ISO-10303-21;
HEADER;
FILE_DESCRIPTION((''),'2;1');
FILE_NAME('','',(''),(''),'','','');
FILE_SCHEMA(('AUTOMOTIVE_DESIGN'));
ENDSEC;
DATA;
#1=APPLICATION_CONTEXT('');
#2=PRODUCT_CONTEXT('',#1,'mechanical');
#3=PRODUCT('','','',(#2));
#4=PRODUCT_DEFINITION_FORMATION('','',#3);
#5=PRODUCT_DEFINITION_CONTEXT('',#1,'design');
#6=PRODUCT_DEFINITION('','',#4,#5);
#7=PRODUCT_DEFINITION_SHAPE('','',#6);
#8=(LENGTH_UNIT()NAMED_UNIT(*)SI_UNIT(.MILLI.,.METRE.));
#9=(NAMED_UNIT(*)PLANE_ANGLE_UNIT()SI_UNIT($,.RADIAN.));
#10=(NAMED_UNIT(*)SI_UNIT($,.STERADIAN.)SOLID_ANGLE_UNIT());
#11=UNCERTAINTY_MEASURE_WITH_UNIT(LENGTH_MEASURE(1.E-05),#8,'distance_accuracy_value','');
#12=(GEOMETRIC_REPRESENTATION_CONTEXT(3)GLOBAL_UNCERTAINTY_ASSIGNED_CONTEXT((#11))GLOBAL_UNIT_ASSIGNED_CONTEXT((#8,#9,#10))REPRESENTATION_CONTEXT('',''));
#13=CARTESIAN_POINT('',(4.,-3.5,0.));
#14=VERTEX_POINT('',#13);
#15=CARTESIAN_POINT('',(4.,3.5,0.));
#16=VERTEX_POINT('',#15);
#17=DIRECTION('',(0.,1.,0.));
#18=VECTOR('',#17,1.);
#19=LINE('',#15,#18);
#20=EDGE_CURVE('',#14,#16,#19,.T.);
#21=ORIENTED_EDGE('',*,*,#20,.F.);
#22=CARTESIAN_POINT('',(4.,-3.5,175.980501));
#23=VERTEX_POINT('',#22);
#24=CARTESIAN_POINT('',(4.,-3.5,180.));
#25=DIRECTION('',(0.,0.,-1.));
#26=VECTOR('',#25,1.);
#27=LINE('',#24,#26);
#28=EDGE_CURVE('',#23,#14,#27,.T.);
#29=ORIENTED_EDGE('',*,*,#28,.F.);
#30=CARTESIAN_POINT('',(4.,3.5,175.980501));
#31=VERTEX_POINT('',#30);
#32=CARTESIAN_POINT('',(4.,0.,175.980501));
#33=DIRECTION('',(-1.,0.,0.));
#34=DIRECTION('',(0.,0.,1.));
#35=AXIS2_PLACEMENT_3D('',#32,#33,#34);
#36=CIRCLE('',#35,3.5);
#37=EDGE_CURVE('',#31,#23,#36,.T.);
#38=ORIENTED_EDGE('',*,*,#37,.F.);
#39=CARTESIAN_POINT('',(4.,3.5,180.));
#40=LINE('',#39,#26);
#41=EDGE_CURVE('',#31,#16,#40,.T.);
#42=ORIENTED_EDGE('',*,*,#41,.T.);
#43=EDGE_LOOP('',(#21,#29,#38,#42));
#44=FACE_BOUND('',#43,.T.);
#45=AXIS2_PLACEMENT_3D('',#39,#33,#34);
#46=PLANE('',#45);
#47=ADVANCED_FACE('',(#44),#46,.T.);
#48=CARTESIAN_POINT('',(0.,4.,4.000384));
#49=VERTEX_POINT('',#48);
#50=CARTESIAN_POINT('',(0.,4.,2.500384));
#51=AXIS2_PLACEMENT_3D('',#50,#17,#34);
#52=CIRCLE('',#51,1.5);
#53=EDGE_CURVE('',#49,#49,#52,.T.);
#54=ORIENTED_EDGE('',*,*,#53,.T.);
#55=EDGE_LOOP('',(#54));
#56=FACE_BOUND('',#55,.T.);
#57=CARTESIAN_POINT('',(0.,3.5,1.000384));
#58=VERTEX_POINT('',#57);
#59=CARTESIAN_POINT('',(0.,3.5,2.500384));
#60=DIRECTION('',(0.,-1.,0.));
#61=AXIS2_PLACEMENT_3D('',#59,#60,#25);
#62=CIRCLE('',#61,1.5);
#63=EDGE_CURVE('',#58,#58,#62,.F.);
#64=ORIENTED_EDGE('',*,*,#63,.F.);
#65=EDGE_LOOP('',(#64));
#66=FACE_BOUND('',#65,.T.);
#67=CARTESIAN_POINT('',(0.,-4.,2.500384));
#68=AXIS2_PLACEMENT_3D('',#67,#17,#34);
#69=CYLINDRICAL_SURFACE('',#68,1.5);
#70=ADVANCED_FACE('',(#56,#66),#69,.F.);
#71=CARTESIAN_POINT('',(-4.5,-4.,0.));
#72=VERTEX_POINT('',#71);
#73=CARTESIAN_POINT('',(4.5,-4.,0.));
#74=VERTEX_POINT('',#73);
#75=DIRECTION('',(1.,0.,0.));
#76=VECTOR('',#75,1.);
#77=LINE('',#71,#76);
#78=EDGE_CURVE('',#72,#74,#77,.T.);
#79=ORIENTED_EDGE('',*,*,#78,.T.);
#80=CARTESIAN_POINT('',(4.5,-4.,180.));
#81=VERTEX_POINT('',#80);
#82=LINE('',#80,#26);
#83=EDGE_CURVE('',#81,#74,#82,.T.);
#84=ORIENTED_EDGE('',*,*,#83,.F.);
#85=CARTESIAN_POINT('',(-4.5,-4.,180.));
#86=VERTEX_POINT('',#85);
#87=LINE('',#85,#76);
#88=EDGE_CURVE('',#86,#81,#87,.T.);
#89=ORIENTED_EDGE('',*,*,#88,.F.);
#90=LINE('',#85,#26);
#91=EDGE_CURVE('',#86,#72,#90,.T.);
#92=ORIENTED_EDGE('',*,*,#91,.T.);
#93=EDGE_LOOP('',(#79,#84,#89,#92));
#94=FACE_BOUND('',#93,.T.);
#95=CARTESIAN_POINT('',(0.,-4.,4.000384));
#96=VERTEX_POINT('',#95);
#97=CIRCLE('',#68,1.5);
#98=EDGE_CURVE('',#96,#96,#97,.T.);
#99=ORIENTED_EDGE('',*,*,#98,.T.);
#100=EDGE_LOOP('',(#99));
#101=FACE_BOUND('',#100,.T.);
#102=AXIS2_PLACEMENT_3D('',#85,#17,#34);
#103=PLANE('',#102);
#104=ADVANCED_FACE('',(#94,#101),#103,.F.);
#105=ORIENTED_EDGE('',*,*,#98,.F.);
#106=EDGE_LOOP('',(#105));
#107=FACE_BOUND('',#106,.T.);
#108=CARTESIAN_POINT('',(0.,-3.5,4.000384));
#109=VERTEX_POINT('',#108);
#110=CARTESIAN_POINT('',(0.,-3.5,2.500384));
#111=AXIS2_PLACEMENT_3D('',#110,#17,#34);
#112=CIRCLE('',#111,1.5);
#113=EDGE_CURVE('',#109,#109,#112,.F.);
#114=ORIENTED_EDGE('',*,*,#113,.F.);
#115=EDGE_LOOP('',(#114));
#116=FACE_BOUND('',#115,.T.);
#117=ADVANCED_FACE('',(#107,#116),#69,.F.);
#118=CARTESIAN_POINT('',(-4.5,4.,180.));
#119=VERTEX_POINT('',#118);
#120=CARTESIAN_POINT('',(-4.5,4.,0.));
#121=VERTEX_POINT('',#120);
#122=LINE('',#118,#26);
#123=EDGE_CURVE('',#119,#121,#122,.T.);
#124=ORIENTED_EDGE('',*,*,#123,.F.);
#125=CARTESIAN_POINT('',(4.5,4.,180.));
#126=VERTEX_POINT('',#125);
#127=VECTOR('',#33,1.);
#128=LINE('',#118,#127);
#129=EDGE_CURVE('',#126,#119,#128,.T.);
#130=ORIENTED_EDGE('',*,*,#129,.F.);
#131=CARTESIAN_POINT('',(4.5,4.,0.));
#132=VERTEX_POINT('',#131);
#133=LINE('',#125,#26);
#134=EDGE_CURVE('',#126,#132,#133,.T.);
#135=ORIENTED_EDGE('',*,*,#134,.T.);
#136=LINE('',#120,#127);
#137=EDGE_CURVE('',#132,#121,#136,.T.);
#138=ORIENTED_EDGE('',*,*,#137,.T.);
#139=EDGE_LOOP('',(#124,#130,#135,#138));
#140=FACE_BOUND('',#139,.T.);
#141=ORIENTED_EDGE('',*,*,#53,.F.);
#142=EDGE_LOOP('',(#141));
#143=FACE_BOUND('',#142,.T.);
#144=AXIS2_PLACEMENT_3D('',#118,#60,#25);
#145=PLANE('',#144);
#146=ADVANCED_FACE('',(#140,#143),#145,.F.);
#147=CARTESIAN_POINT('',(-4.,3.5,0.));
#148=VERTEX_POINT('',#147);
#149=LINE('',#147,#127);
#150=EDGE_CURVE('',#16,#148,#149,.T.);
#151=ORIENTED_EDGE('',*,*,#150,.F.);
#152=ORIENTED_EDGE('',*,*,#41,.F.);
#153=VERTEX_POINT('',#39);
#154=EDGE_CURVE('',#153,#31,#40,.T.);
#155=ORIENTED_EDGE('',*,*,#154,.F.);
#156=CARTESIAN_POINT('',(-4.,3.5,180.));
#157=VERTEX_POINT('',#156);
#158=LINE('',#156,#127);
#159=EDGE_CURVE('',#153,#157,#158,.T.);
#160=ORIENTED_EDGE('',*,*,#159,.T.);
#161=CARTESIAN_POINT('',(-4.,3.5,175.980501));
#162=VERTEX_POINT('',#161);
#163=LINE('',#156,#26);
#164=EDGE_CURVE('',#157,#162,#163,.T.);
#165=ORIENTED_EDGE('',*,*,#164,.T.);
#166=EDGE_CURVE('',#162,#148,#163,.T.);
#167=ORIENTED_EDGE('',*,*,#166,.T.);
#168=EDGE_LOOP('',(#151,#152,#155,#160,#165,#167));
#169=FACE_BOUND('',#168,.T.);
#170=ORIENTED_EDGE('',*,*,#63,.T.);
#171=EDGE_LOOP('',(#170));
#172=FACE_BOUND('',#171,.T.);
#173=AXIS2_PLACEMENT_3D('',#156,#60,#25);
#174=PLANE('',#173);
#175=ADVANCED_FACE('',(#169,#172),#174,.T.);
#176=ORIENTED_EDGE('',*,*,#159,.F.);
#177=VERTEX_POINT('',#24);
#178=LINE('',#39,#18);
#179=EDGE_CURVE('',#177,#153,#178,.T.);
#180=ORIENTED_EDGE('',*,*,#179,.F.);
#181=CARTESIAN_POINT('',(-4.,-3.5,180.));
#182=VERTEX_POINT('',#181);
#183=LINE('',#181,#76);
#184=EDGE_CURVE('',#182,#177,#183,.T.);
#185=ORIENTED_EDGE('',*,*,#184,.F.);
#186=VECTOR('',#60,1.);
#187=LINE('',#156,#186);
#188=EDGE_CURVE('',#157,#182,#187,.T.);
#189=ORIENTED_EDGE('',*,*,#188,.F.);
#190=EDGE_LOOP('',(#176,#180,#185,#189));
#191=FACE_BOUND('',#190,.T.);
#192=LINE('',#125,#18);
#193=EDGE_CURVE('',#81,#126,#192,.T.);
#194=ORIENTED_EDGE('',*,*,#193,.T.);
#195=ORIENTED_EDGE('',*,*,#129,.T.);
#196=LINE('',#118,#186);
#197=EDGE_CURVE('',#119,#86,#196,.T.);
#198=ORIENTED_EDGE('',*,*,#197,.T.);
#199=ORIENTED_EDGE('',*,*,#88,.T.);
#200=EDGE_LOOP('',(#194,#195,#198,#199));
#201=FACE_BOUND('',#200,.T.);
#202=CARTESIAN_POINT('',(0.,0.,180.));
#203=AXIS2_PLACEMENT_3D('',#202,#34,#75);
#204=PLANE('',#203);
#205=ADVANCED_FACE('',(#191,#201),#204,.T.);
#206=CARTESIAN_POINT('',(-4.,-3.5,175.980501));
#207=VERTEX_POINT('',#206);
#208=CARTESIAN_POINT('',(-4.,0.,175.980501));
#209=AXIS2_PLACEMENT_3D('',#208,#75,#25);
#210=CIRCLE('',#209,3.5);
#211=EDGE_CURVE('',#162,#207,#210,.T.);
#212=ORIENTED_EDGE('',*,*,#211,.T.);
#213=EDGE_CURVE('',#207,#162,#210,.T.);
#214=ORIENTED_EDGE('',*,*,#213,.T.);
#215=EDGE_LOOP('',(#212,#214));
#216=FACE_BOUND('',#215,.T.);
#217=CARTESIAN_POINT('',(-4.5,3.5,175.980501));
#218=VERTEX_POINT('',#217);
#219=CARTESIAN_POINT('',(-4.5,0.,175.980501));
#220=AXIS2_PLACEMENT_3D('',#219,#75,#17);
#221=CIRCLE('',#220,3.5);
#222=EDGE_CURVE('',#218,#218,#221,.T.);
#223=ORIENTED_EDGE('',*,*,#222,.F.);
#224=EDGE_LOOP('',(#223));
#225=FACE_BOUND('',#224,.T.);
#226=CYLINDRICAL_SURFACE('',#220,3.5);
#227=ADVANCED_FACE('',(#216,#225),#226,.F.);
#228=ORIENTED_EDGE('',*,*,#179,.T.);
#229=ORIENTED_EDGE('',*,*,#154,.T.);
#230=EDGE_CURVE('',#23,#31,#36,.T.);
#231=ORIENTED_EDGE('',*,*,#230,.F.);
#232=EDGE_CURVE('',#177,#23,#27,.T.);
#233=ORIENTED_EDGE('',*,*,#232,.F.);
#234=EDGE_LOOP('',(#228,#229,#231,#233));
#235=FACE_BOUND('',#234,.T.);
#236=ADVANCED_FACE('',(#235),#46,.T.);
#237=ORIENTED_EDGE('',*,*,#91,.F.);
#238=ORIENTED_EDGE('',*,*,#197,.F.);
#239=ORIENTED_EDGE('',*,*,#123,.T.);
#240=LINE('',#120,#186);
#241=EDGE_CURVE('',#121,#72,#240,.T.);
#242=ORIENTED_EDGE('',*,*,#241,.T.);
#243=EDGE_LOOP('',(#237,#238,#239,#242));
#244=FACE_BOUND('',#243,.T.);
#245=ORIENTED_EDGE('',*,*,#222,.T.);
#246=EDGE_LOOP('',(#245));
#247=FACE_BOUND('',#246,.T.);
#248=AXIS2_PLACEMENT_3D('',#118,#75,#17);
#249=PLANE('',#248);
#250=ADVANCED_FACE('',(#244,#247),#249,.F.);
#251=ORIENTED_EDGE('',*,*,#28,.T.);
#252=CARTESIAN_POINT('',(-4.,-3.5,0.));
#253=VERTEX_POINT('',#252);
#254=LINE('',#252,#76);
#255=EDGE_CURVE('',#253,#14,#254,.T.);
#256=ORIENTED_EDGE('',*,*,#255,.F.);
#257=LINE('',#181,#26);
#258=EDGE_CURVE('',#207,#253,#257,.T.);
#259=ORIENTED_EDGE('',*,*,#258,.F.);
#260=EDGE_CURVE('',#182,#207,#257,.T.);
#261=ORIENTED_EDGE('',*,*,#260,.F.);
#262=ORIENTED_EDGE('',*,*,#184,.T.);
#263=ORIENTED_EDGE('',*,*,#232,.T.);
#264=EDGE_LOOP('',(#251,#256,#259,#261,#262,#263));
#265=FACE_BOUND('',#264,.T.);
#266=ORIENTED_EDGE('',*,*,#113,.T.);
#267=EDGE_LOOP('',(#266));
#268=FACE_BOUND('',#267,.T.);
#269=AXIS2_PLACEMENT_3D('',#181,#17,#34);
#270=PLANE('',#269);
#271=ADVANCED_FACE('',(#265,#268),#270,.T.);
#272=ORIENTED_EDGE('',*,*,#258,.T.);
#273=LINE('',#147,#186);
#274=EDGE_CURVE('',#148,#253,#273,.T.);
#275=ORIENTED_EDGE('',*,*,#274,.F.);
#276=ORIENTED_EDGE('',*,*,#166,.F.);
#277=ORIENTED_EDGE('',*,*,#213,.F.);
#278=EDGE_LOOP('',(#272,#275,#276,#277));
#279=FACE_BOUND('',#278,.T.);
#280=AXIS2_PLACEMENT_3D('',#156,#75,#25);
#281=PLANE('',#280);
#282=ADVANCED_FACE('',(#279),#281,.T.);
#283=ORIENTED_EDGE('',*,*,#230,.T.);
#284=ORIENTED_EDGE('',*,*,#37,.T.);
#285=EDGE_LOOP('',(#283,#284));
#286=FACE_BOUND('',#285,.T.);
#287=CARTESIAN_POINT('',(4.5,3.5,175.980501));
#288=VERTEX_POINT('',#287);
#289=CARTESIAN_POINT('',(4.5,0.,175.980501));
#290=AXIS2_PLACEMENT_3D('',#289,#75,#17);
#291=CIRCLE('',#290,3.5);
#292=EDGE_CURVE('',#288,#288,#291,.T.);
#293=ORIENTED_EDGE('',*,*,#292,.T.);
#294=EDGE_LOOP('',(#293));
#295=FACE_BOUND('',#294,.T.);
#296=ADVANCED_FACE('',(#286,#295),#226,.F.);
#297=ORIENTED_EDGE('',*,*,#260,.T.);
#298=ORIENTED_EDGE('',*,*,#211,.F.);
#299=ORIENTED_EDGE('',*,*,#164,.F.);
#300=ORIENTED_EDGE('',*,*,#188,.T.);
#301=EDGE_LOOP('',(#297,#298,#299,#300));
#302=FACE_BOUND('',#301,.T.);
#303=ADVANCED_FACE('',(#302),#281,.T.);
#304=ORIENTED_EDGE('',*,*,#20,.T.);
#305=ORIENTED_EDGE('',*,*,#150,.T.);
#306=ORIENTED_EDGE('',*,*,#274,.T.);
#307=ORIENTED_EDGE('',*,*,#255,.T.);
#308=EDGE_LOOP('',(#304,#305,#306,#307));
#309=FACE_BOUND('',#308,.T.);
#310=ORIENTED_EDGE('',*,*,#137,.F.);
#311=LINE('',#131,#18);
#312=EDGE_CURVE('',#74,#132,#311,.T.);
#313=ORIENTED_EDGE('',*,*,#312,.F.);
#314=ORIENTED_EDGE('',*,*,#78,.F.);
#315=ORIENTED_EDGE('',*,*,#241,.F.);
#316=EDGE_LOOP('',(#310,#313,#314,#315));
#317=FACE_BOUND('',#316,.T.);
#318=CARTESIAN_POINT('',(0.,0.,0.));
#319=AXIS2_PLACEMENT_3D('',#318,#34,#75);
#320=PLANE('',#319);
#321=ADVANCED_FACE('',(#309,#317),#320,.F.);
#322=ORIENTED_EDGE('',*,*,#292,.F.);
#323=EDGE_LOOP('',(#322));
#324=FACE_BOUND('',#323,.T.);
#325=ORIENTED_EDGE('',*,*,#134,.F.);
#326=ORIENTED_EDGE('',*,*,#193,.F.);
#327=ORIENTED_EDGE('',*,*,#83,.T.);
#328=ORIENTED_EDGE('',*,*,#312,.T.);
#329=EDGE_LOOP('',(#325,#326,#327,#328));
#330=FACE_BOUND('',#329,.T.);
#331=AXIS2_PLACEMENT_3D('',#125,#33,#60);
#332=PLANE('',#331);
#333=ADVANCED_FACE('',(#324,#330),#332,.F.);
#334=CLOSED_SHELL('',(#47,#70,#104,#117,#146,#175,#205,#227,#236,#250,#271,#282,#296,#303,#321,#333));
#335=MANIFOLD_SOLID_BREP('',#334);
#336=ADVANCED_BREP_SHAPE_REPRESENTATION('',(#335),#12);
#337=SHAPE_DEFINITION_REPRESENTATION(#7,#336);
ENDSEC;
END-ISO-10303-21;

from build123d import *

# Parameters (mm, degrees)
SKETCH2_W           = 9
SKETCH2_H           = 8
BOSS_EXTRUDE1_DEPTH = 180
SKETCH3_R           = 1.5
CUT_EXTRUDE1_DEPTH  = 9
SKETCH4_W           = 8
SKETCH4_H           = 7
CUT_EXTRUDE2_DEPTH  = 181
SKETCH5_R           = 3.5
CUT_EXTRUDE3_DEPTH  = 10


with BuildPart() as part:
    # Sketch2 → Boss-Extrude1 (new body)
    with BuildSketch(Plane.XY):
        Rectangle(SKETCH2_W, SKETCH2_H)
    extrude(amount=BOSS_EXTRUDE1_DEPTH)

    # Sketch3 → Cut-Extrude1 (cut, through all)
    with BuildSketch(Plane(origin=(0, 4, 0), x_dir=(1, 0, 0), z_dir=(0, 1, 0))):
        with Locations((0, -2.500384155)):
            Circle(SKETCH3_R)
    extrude(amount=-CUT_EXTRUDE1_DEPTH, mode=Mode.SUBTRACT)

    # Sketch4 → Cut-Extrude2 (cut, through all)
    with BuildSketch(Plane.XY):
        Rectangle(SKETCH4_W, SKETCH4_H)
    extrude(amount=CUT_EXTRUDE2_DEPTH, mode=Mode.SUBTRACT)

    # Sketch5 → Cut-Extrude3 (cut, through all)
    with BuildSketch(Plane(origin=(4.5, 0, 0), x_dir=(0, 0, -1), z_dir=(1, 0, 0))):
        with Locations((-175.980500671, 0)):
            Circle(SKETCH5_R)
    extrude(amount=-CUT_EXTRUDE3_DEPTH, mode=Mode.SUBTRACT)


solid = part.part
